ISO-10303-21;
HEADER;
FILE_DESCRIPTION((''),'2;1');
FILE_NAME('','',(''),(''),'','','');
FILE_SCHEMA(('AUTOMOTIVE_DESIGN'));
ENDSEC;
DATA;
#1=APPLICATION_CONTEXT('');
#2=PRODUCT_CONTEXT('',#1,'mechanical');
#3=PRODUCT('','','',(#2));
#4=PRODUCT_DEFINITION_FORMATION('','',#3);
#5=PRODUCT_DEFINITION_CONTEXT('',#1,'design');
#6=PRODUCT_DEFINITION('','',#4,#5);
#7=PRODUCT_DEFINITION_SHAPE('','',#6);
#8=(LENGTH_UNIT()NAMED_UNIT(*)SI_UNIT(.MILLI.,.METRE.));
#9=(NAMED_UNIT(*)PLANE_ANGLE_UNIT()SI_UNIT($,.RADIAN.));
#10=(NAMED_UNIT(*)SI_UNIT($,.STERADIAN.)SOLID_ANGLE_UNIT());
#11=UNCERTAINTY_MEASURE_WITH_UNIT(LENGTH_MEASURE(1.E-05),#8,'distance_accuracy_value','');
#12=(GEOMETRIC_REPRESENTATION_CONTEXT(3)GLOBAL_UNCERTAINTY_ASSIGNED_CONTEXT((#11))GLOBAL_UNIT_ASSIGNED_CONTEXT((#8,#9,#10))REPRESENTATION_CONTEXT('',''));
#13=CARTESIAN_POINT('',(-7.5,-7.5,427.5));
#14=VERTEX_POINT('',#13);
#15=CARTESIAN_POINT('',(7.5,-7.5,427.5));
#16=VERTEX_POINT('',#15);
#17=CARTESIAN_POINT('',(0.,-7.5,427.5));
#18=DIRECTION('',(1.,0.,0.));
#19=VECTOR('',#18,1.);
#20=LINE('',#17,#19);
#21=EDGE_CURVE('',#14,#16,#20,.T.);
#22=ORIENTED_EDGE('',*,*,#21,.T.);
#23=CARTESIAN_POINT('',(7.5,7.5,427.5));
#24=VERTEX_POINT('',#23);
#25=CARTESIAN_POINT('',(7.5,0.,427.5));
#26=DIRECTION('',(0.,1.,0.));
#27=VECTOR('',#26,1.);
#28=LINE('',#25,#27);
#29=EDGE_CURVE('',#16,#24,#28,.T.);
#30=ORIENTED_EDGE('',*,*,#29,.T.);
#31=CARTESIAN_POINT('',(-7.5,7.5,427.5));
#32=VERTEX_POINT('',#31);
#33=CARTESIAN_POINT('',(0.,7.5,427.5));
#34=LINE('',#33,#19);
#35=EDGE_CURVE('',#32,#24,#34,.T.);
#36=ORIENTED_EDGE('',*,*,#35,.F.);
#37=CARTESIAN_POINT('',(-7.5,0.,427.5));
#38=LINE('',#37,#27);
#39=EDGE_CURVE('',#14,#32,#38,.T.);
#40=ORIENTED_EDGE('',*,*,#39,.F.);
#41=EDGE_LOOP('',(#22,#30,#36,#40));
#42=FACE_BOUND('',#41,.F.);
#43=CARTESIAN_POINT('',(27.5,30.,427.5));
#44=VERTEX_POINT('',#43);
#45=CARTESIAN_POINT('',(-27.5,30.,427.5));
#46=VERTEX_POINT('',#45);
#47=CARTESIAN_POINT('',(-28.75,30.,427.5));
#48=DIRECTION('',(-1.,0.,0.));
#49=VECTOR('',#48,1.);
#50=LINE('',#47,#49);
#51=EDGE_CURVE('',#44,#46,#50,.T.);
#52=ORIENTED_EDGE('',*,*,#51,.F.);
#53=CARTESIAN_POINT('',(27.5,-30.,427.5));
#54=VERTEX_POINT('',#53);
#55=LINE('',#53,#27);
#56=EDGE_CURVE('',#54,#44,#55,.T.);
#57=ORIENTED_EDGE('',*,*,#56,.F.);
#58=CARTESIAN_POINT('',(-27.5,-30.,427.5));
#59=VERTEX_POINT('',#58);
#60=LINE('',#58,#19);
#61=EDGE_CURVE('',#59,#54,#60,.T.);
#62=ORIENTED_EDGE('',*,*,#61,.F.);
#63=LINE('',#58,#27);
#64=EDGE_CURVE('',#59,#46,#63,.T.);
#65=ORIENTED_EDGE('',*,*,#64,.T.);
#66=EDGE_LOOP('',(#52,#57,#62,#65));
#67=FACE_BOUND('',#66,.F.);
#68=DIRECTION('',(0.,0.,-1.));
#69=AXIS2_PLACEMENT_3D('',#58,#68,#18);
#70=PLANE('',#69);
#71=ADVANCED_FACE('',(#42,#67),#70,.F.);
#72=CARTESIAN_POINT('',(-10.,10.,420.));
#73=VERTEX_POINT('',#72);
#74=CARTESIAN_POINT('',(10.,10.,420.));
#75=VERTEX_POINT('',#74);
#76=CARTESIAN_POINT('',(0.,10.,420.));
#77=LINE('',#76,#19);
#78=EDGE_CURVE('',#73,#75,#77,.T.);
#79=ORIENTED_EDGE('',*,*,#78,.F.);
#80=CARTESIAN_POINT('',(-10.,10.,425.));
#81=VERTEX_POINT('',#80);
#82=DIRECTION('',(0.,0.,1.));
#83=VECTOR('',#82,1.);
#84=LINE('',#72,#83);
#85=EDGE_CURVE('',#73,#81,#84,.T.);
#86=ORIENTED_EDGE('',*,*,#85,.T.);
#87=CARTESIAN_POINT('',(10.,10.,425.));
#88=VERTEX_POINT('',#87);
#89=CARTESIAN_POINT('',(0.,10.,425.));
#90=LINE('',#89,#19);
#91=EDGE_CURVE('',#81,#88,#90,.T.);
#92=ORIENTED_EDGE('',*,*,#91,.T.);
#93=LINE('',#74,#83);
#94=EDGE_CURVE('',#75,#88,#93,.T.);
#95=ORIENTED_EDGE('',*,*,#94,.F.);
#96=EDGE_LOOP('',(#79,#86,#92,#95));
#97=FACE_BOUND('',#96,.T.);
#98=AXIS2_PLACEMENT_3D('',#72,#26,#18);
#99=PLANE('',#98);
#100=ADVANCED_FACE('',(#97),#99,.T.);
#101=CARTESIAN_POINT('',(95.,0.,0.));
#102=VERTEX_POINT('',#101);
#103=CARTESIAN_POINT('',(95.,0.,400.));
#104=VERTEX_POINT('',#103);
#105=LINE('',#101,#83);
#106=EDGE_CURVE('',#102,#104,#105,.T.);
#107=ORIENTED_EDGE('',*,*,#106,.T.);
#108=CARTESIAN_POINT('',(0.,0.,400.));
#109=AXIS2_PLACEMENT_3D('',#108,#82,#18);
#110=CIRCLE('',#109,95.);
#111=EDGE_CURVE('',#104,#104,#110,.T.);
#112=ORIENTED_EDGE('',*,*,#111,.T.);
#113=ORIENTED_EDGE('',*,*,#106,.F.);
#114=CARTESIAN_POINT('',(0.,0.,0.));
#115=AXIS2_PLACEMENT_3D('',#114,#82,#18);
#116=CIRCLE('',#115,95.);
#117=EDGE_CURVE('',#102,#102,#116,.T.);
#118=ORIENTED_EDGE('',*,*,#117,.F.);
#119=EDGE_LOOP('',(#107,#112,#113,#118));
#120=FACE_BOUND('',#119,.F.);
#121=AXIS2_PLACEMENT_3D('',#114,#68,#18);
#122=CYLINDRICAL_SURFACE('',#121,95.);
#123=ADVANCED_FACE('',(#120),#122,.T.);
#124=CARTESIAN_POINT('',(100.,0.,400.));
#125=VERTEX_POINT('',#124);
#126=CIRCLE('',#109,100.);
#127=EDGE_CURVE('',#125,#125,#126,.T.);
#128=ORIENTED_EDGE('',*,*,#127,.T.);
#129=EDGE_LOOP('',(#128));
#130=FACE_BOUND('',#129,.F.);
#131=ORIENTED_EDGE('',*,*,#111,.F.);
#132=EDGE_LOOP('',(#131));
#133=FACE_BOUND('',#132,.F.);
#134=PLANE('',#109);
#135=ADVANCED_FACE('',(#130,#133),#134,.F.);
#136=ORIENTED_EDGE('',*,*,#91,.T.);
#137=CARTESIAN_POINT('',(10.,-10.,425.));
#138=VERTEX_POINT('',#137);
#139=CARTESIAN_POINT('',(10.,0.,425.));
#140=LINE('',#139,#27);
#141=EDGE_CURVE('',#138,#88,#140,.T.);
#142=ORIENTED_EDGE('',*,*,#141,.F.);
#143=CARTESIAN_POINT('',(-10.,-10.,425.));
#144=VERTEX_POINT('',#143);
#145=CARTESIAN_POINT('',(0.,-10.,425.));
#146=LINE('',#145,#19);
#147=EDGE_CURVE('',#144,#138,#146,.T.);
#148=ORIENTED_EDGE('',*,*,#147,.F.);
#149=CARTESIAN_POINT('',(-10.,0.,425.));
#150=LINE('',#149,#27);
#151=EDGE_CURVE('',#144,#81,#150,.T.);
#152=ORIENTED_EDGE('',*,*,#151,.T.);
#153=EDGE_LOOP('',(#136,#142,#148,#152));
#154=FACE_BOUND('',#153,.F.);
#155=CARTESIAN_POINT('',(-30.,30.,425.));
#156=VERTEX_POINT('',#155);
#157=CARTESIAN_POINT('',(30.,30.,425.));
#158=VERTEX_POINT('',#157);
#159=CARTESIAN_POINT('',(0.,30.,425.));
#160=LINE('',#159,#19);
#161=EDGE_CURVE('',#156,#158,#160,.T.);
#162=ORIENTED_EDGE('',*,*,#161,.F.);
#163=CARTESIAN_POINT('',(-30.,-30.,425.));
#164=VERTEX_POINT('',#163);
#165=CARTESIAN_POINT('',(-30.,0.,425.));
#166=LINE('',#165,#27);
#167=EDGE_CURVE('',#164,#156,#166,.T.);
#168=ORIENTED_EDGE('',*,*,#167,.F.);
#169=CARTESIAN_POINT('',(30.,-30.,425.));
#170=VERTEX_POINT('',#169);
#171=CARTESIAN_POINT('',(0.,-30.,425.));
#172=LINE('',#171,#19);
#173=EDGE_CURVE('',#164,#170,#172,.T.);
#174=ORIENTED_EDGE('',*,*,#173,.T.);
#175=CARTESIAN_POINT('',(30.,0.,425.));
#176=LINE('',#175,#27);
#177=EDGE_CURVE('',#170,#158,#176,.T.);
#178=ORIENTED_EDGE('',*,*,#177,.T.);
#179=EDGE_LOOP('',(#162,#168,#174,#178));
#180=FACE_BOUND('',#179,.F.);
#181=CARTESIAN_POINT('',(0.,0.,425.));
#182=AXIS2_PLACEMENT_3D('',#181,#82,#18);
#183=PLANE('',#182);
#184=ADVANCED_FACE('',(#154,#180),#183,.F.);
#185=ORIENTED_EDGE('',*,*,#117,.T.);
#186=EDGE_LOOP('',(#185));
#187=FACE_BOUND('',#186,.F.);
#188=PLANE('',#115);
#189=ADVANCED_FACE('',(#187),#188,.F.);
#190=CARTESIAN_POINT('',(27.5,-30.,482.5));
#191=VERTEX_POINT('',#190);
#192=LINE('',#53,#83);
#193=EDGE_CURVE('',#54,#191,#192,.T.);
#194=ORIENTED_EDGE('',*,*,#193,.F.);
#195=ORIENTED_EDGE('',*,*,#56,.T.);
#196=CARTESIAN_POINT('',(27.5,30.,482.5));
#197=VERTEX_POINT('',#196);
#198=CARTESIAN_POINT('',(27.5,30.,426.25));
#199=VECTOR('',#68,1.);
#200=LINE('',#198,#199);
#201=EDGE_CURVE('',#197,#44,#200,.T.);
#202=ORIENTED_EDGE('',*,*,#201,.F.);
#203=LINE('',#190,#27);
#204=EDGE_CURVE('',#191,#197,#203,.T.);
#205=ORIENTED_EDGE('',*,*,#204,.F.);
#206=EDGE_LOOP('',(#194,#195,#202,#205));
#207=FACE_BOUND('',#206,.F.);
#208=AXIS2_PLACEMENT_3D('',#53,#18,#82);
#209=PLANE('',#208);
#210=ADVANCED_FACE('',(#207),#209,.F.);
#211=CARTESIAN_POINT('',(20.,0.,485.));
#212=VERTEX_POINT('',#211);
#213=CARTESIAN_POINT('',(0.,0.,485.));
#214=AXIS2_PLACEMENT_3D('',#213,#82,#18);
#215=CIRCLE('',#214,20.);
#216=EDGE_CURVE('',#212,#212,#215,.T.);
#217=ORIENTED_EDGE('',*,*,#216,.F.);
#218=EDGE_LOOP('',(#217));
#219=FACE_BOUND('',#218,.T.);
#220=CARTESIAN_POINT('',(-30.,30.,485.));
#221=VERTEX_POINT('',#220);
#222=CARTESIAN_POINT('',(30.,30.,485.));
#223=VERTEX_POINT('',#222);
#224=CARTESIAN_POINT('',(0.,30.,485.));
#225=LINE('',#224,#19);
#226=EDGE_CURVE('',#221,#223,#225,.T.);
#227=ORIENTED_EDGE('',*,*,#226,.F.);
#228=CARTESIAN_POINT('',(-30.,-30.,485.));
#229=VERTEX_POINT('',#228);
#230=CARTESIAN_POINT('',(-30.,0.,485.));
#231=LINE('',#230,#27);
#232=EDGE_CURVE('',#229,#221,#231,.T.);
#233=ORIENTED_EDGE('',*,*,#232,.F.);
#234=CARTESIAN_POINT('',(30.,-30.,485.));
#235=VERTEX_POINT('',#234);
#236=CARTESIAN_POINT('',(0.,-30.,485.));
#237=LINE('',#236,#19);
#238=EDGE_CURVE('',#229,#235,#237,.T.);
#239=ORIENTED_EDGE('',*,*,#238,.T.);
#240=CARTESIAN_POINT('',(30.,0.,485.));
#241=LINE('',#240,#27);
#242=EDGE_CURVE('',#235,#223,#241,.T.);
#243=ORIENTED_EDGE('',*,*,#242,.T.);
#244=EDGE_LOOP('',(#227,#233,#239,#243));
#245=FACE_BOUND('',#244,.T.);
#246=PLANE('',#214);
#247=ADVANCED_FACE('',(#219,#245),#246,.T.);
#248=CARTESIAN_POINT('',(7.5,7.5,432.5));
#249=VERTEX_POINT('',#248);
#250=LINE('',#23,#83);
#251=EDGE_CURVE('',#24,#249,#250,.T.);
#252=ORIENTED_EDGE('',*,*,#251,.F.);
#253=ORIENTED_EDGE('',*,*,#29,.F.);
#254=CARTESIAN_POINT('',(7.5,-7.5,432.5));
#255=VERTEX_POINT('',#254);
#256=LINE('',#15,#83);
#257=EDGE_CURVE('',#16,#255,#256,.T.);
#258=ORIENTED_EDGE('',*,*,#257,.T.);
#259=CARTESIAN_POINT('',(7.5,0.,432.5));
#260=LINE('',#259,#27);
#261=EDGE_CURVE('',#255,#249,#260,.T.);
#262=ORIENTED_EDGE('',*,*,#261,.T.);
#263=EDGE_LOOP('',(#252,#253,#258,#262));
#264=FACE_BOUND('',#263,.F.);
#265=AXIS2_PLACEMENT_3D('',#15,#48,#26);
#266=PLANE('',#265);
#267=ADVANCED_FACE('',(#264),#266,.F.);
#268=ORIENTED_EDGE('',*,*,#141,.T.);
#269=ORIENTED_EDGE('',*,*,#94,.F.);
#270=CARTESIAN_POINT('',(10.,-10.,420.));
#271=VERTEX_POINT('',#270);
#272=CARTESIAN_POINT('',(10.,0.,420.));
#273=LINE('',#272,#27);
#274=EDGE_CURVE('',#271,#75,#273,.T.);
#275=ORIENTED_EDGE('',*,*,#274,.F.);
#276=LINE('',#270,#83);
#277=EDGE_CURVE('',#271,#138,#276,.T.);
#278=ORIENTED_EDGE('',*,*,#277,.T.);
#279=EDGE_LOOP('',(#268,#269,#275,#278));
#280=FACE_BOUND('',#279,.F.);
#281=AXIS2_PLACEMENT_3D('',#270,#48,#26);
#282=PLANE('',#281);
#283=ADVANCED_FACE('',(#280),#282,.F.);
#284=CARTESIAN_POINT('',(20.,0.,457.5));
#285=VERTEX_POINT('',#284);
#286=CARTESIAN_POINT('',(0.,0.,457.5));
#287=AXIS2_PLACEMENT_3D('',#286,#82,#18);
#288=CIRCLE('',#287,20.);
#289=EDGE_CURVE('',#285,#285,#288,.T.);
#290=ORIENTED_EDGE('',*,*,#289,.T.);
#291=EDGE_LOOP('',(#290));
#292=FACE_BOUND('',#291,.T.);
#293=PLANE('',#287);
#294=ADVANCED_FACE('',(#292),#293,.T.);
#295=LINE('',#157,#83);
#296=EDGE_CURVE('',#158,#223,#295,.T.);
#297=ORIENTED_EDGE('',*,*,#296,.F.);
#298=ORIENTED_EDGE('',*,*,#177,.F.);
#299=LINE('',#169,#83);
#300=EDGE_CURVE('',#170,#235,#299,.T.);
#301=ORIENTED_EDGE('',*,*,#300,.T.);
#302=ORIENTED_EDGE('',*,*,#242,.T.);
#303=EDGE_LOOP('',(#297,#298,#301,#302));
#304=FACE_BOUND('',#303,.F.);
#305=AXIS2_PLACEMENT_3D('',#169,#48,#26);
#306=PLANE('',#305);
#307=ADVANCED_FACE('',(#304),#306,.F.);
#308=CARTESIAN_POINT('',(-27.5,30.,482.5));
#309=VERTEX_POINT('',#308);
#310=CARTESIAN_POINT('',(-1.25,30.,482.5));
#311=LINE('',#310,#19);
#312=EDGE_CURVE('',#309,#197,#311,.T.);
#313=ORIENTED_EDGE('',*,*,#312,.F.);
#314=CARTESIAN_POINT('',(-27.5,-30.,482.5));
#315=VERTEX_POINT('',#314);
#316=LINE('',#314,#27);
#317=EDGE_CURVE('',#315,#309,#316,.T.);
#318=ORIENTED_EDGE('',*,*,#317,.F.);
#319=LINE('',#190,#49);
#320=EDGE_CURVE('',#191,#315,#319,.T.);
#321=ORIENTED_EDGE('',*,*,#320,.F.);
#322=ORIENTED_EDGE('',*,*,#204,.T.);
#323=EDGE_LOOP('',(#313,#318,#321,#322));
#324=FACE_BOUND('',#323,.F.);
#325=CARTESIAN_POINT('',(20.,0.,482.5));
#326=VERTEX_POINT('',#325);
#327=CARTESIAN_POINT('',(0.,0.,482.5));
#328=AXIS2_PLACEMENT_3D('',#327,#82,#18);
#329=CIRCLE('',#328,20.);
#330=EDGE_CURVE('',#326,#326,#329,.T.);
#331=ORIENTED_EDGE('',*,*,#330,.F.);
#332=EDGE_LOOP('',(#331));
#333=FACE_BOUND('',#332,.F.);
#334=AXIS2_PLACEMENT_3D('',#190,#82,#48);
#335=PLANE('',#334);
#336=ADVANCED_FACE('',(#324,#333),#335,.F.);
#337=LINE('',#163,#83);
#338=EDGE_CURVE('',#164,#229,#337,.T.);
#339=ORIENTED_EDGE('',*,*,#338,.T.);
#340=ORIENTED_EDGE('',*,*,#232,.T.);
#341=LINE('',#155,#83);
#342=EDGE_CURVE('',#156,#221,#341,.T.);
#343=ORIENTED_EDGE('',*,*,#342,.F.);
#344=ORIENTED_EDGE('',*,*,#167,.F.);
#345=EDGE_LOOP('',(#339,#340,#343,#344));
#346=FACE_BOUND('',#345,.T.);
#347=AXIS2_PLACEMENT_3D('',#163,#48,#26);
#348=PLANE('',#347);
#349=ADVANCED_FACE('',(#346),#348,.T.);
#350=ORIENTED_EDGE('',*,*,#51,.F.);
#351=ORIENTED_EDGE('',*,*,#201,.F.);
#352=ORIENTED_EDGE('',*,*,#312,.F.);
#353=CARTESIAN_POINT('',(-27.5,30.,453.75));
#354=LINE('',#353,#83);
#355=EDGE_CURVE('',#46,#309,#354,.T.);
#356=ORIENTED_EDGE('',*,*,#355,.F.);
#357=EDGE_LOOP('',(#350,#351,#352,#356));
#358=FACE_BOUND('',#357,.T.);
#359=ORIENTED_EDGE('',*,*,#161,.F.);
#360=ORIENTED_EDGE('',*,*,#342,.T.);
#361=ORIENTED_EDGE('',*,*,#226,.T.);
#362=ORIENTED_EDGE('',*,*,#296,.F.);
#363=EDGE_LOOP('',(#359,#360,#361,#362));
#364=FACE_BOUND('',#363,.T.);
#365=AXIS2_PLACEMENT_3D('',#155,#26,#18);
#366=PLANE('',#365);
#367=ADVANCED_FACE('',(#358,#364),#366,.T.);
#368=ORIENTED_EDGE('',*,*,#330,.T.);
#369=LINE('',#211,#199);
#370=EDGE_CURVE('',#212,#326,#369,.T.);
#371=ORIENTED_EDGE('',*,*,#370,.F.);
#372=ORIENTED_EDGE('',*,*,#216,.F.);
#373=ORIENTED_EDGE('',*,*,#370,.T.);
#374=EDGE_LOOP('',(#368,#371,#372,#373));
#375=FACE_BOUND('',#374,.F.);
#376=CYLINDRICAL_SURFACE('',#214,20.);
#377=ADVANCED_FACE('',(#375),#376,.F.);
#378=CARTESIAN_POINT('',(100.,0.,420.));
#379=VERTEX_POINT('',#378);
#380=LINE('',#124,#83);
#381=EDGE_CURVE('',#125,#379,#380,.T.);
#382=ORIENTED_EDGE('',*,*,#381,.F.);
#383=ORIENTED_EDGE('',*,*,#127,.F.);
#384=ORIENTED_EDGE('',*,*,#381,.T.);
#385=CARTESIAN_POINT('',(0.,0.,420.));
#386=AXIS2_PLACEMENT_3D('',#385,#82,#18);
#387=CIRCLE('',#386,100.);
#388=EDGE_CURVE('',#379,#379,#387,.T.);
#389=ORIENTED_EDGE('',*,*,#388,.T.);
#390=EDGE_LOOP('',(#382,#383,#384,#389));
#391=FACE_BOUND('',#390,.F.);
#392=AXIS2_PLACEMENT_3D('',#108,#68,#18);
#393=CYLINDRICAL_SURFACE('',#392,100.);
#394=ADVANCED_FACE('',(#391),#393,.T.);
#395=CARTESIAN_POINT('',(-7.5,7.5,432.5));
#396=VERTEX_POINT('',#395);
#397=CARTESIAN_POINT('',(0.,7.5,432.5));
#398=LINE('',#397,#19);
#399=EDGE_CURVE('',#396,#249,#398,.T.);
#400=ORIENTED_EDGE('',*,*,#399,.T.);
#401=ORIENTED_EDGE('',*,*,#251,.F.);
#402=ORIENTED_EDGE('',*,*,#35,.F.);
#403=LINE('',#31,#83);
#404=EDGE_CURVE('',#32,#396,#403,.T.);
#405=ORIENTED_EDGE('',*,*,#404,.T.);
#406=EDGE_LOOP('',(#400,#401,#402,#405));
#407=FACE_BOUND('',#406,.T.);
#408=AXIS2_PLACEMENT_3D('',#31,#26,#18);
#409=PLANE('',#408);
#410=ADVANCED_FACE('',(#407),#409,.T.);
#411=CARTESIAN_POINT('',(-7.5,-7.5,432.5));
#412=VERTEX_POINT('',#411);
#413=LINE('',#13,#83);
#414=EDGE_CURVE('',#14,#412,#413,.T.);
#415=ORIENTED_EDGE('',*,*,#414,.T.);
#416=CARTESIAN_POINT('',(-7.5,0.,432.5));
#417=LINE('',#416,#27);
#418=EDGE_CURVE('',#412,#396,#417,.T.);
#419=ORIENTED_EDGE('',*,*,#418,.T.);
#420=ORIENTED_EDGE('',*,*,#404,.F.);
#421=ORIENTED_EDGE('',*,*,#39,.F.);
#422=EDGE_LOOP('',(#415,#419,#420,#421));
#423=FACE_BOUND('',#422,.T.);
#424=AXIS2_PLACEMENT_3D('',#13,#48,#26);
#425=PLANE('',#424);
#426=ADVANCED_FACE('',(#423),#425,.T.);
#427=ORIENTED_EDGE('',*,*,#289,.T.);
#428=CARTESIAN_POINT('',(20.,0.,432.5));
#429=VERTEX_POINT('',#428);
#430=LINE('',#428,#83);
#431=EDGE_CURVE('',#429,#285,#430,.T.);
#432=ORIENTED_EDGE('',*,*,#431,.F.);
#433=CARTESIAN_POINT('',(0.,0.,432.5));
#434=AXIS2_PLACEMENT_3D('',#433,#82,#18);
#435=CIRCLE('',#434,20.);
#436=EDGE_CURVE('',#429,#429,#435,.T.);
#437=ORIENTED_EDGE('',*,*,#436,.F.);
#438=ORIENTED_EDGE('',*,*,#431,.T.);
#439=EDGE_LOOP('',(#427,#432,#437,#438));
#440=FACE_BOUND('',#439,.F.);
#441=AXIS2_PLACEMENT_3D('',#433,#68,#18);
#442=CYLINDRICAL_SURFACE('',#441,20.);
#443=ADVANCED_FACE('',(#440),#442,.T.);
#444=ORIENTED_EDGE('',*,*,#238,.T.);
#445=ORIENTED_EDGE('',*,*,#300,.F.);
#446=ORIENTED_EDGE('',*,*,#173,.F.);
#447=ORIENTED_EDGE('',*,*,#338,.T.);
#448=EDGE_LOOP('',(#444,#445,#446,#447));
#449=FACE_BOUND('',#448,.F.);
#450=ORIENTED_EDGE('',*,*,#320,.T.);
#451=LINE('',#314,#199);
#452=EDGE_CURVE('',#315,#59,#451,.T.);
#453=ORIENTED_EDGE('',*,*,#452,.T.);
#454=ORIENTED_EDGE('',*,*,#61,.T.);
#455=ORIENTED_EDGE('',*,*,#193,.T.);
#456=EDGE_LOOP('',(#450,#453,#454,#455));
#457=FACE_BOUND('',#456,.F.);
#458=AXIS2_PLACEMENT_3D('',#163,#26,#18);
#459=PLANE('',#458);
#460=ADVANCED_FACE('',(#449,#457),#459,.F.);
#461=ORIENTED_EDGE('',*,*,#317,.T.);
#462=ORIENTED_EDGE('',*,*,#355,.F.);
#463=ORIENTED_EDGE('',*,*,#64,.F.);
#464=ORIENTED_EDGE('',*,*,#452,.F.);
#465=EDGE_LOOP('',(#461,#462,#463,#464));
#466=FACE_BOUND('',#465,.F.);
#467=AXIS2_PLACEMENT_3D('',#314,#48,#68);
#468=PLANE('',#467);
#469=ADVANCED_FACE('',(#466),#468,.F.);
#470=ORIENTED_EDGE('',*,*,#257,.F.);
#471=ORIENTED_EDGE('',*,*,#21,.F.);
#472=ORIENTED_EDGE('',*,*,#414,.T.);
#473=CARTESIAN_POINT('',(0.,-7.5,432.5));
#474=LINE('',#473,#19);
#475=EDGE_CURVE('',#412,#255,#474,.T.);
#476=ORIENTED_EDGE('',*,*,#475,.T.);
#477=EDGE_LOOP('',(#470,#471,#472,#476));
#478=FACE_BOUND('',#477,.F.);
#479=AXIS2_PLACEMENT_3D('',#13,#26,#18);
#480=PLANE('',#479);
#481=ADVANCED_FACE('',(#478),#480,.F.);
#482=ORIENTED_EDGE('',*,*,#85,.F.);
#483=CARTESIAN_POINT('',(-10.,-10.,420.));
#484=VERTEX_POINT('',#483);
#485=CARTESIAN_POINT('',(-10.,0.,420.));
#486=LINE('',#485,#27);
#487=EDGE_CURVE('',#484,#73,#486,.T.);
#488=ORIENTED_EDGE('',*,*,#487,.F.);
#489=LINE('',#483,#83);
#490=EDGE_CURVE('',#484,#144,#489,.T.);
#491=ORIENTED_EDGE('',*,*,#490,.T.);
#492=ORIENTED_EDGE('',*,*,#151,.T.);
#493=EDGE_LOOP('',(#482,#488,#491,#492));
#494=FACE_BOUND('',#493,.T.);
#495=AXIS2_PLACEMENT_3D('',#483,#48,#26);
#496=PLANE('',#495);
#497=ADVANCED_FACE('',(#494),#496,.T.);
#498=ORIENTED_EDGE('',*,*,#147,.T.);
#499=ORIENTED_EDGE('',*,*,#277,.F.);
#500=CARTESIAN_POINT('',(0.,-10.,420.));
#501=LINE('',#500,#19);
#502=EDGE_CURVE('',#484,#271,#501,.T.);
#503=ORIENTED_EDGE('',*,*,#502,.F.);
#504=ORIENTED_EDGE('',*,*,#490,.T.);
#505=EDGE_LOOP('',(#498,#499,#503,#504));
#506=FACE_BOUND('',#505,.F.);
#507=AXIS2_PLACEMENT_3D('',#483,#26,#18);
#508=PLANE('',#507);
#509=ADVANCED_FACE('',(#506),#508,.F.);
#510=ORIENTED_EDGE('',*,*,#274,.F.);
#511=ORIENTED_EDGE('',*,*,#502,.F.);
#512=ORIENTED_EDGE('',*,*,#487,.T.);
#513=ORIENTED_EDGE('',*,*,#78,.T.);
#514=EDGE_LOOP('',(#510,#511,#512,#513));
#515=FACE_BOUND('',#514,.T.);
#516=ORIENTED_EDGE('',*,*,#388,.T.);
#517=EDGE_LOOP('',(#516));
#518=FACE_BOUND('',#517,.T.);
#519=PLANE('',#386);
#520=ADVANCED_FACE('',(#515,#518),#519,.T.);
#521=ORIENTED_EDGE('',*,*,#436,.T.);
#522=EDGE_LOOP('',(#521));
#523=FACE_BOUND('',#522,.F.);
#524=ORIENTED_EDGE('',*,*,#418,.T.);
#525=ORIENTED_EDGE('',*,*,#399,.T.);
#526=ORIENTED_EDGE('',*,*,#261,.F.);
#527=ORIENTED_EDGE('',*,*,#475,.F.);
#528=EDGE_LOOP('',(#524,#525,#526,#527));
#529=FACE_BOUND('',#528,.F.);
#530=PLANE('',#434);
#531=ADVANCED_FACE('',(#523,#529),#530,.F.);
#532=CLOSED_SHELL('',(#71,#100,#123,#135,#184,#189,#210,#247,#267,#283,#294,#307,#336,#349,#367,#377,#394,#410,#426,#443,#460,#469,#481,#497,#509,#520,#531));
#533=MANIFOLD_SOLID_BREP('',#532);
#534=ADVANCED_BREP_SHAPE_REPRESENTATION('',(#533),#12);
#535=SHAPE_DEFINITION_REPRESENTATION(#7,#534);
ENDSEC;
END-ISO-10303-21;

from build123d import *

# Parameters (mm, degrees)
F0_R      = 95
F1_DEPTH  = 400
F2_R      = 100
F2_R_2    = 95
F3_DEPTH  = 20
F4_W      = 20
F4_H      = 20
F5_DEPTH  = 5
F6_W      = 60
F6_H      = 60
F6_W_2    = 20
F6_H_2    = 20
F7_W      = 20
F7_H      = 20
F8_DEPTH  = 60
F10_DEPTH = 130.001
F11_R     = 20
F12_DEPTH = 25
F13_W     = 15
F13_H     = 15
F14_DEPTH = 5
F15_R     = 20
F15_W     = 15
F15_H     = 15
F16_DEPTH = 25


with BuildPart() as f1:
    # F0 (on Top) → F1 (new body)
    with BuildSketch(Plane.XY):
        Circle(F0_R)
    extrude(amount=F1_DEPTH)

    # F2 (on face) → F3 (join)
    with BuildSketch(Plane.XY.offset(400)):
        Circle(F2_R)
        Circle(F2_R_2, mode=Mode.SUBTRACT)
        Circle(F2_R_2)
    extrude(amount=F3_DEPTH)

    # F4 (on face) → F5 (join)
    with BuildSketch(Plane.XY.offset(420)):
        Rectangle(F4_W, F4_H)
    extrude(amount=F5_DEPTH)

    # F6 (on face) + F7 (on face) → F8 (join)
    with BuildSketch(Plane.XY.offset(425)):
        Rectangle(F6_W, F6_H)
        Rectangle(F6_W_2, F6_H_2, mode=Mode.SUBTRACT)
    with BuildSketch(Plane.XY.offset(425)):
        Rectangle(F7_W, F7_H)
    extrude(amount=F8_DEPTH)

    # F9 (on face) → F10 (cut, through all)
    with BuildSketch(Plane.XZ.offset(30)):
        Polygon((-27.5, 427.5), (0, 427.5), (27.5, 427.5), (27.5, 482.5), (0, 482.5), (-27.5, 482.5), align=None)
    extrude(amount=-F10_DEPTH, mode=Mode.SUBTRACT)

    # F11 (on face) → F12 (cut)
    with BuildSketch(Plane.XY.offset(485)):
        Circle(F11_R)
    extrude(amount=-F12_DEPTH, mode=Mode.SUBTRACT)

    # F13 (on face) → F14 (join)
    with BuildSketch(Plane.XY.offset(427.5)):
        Rectangle(F13_W, F13_H)
    extrude(amount=F14_DEPTH)

    # F15 (on face) → F16 (join)
    with BuildSketch(Plane.XY.offset(432.5)):
        Circle(F15_R)
        Rectangle(F15_W, F15_H, mode=Mode.SUBTRACT)
        Rectangle(F15_W, F15_H)
    extrude(amount=F16_DEPTH)


solid = f1.part
